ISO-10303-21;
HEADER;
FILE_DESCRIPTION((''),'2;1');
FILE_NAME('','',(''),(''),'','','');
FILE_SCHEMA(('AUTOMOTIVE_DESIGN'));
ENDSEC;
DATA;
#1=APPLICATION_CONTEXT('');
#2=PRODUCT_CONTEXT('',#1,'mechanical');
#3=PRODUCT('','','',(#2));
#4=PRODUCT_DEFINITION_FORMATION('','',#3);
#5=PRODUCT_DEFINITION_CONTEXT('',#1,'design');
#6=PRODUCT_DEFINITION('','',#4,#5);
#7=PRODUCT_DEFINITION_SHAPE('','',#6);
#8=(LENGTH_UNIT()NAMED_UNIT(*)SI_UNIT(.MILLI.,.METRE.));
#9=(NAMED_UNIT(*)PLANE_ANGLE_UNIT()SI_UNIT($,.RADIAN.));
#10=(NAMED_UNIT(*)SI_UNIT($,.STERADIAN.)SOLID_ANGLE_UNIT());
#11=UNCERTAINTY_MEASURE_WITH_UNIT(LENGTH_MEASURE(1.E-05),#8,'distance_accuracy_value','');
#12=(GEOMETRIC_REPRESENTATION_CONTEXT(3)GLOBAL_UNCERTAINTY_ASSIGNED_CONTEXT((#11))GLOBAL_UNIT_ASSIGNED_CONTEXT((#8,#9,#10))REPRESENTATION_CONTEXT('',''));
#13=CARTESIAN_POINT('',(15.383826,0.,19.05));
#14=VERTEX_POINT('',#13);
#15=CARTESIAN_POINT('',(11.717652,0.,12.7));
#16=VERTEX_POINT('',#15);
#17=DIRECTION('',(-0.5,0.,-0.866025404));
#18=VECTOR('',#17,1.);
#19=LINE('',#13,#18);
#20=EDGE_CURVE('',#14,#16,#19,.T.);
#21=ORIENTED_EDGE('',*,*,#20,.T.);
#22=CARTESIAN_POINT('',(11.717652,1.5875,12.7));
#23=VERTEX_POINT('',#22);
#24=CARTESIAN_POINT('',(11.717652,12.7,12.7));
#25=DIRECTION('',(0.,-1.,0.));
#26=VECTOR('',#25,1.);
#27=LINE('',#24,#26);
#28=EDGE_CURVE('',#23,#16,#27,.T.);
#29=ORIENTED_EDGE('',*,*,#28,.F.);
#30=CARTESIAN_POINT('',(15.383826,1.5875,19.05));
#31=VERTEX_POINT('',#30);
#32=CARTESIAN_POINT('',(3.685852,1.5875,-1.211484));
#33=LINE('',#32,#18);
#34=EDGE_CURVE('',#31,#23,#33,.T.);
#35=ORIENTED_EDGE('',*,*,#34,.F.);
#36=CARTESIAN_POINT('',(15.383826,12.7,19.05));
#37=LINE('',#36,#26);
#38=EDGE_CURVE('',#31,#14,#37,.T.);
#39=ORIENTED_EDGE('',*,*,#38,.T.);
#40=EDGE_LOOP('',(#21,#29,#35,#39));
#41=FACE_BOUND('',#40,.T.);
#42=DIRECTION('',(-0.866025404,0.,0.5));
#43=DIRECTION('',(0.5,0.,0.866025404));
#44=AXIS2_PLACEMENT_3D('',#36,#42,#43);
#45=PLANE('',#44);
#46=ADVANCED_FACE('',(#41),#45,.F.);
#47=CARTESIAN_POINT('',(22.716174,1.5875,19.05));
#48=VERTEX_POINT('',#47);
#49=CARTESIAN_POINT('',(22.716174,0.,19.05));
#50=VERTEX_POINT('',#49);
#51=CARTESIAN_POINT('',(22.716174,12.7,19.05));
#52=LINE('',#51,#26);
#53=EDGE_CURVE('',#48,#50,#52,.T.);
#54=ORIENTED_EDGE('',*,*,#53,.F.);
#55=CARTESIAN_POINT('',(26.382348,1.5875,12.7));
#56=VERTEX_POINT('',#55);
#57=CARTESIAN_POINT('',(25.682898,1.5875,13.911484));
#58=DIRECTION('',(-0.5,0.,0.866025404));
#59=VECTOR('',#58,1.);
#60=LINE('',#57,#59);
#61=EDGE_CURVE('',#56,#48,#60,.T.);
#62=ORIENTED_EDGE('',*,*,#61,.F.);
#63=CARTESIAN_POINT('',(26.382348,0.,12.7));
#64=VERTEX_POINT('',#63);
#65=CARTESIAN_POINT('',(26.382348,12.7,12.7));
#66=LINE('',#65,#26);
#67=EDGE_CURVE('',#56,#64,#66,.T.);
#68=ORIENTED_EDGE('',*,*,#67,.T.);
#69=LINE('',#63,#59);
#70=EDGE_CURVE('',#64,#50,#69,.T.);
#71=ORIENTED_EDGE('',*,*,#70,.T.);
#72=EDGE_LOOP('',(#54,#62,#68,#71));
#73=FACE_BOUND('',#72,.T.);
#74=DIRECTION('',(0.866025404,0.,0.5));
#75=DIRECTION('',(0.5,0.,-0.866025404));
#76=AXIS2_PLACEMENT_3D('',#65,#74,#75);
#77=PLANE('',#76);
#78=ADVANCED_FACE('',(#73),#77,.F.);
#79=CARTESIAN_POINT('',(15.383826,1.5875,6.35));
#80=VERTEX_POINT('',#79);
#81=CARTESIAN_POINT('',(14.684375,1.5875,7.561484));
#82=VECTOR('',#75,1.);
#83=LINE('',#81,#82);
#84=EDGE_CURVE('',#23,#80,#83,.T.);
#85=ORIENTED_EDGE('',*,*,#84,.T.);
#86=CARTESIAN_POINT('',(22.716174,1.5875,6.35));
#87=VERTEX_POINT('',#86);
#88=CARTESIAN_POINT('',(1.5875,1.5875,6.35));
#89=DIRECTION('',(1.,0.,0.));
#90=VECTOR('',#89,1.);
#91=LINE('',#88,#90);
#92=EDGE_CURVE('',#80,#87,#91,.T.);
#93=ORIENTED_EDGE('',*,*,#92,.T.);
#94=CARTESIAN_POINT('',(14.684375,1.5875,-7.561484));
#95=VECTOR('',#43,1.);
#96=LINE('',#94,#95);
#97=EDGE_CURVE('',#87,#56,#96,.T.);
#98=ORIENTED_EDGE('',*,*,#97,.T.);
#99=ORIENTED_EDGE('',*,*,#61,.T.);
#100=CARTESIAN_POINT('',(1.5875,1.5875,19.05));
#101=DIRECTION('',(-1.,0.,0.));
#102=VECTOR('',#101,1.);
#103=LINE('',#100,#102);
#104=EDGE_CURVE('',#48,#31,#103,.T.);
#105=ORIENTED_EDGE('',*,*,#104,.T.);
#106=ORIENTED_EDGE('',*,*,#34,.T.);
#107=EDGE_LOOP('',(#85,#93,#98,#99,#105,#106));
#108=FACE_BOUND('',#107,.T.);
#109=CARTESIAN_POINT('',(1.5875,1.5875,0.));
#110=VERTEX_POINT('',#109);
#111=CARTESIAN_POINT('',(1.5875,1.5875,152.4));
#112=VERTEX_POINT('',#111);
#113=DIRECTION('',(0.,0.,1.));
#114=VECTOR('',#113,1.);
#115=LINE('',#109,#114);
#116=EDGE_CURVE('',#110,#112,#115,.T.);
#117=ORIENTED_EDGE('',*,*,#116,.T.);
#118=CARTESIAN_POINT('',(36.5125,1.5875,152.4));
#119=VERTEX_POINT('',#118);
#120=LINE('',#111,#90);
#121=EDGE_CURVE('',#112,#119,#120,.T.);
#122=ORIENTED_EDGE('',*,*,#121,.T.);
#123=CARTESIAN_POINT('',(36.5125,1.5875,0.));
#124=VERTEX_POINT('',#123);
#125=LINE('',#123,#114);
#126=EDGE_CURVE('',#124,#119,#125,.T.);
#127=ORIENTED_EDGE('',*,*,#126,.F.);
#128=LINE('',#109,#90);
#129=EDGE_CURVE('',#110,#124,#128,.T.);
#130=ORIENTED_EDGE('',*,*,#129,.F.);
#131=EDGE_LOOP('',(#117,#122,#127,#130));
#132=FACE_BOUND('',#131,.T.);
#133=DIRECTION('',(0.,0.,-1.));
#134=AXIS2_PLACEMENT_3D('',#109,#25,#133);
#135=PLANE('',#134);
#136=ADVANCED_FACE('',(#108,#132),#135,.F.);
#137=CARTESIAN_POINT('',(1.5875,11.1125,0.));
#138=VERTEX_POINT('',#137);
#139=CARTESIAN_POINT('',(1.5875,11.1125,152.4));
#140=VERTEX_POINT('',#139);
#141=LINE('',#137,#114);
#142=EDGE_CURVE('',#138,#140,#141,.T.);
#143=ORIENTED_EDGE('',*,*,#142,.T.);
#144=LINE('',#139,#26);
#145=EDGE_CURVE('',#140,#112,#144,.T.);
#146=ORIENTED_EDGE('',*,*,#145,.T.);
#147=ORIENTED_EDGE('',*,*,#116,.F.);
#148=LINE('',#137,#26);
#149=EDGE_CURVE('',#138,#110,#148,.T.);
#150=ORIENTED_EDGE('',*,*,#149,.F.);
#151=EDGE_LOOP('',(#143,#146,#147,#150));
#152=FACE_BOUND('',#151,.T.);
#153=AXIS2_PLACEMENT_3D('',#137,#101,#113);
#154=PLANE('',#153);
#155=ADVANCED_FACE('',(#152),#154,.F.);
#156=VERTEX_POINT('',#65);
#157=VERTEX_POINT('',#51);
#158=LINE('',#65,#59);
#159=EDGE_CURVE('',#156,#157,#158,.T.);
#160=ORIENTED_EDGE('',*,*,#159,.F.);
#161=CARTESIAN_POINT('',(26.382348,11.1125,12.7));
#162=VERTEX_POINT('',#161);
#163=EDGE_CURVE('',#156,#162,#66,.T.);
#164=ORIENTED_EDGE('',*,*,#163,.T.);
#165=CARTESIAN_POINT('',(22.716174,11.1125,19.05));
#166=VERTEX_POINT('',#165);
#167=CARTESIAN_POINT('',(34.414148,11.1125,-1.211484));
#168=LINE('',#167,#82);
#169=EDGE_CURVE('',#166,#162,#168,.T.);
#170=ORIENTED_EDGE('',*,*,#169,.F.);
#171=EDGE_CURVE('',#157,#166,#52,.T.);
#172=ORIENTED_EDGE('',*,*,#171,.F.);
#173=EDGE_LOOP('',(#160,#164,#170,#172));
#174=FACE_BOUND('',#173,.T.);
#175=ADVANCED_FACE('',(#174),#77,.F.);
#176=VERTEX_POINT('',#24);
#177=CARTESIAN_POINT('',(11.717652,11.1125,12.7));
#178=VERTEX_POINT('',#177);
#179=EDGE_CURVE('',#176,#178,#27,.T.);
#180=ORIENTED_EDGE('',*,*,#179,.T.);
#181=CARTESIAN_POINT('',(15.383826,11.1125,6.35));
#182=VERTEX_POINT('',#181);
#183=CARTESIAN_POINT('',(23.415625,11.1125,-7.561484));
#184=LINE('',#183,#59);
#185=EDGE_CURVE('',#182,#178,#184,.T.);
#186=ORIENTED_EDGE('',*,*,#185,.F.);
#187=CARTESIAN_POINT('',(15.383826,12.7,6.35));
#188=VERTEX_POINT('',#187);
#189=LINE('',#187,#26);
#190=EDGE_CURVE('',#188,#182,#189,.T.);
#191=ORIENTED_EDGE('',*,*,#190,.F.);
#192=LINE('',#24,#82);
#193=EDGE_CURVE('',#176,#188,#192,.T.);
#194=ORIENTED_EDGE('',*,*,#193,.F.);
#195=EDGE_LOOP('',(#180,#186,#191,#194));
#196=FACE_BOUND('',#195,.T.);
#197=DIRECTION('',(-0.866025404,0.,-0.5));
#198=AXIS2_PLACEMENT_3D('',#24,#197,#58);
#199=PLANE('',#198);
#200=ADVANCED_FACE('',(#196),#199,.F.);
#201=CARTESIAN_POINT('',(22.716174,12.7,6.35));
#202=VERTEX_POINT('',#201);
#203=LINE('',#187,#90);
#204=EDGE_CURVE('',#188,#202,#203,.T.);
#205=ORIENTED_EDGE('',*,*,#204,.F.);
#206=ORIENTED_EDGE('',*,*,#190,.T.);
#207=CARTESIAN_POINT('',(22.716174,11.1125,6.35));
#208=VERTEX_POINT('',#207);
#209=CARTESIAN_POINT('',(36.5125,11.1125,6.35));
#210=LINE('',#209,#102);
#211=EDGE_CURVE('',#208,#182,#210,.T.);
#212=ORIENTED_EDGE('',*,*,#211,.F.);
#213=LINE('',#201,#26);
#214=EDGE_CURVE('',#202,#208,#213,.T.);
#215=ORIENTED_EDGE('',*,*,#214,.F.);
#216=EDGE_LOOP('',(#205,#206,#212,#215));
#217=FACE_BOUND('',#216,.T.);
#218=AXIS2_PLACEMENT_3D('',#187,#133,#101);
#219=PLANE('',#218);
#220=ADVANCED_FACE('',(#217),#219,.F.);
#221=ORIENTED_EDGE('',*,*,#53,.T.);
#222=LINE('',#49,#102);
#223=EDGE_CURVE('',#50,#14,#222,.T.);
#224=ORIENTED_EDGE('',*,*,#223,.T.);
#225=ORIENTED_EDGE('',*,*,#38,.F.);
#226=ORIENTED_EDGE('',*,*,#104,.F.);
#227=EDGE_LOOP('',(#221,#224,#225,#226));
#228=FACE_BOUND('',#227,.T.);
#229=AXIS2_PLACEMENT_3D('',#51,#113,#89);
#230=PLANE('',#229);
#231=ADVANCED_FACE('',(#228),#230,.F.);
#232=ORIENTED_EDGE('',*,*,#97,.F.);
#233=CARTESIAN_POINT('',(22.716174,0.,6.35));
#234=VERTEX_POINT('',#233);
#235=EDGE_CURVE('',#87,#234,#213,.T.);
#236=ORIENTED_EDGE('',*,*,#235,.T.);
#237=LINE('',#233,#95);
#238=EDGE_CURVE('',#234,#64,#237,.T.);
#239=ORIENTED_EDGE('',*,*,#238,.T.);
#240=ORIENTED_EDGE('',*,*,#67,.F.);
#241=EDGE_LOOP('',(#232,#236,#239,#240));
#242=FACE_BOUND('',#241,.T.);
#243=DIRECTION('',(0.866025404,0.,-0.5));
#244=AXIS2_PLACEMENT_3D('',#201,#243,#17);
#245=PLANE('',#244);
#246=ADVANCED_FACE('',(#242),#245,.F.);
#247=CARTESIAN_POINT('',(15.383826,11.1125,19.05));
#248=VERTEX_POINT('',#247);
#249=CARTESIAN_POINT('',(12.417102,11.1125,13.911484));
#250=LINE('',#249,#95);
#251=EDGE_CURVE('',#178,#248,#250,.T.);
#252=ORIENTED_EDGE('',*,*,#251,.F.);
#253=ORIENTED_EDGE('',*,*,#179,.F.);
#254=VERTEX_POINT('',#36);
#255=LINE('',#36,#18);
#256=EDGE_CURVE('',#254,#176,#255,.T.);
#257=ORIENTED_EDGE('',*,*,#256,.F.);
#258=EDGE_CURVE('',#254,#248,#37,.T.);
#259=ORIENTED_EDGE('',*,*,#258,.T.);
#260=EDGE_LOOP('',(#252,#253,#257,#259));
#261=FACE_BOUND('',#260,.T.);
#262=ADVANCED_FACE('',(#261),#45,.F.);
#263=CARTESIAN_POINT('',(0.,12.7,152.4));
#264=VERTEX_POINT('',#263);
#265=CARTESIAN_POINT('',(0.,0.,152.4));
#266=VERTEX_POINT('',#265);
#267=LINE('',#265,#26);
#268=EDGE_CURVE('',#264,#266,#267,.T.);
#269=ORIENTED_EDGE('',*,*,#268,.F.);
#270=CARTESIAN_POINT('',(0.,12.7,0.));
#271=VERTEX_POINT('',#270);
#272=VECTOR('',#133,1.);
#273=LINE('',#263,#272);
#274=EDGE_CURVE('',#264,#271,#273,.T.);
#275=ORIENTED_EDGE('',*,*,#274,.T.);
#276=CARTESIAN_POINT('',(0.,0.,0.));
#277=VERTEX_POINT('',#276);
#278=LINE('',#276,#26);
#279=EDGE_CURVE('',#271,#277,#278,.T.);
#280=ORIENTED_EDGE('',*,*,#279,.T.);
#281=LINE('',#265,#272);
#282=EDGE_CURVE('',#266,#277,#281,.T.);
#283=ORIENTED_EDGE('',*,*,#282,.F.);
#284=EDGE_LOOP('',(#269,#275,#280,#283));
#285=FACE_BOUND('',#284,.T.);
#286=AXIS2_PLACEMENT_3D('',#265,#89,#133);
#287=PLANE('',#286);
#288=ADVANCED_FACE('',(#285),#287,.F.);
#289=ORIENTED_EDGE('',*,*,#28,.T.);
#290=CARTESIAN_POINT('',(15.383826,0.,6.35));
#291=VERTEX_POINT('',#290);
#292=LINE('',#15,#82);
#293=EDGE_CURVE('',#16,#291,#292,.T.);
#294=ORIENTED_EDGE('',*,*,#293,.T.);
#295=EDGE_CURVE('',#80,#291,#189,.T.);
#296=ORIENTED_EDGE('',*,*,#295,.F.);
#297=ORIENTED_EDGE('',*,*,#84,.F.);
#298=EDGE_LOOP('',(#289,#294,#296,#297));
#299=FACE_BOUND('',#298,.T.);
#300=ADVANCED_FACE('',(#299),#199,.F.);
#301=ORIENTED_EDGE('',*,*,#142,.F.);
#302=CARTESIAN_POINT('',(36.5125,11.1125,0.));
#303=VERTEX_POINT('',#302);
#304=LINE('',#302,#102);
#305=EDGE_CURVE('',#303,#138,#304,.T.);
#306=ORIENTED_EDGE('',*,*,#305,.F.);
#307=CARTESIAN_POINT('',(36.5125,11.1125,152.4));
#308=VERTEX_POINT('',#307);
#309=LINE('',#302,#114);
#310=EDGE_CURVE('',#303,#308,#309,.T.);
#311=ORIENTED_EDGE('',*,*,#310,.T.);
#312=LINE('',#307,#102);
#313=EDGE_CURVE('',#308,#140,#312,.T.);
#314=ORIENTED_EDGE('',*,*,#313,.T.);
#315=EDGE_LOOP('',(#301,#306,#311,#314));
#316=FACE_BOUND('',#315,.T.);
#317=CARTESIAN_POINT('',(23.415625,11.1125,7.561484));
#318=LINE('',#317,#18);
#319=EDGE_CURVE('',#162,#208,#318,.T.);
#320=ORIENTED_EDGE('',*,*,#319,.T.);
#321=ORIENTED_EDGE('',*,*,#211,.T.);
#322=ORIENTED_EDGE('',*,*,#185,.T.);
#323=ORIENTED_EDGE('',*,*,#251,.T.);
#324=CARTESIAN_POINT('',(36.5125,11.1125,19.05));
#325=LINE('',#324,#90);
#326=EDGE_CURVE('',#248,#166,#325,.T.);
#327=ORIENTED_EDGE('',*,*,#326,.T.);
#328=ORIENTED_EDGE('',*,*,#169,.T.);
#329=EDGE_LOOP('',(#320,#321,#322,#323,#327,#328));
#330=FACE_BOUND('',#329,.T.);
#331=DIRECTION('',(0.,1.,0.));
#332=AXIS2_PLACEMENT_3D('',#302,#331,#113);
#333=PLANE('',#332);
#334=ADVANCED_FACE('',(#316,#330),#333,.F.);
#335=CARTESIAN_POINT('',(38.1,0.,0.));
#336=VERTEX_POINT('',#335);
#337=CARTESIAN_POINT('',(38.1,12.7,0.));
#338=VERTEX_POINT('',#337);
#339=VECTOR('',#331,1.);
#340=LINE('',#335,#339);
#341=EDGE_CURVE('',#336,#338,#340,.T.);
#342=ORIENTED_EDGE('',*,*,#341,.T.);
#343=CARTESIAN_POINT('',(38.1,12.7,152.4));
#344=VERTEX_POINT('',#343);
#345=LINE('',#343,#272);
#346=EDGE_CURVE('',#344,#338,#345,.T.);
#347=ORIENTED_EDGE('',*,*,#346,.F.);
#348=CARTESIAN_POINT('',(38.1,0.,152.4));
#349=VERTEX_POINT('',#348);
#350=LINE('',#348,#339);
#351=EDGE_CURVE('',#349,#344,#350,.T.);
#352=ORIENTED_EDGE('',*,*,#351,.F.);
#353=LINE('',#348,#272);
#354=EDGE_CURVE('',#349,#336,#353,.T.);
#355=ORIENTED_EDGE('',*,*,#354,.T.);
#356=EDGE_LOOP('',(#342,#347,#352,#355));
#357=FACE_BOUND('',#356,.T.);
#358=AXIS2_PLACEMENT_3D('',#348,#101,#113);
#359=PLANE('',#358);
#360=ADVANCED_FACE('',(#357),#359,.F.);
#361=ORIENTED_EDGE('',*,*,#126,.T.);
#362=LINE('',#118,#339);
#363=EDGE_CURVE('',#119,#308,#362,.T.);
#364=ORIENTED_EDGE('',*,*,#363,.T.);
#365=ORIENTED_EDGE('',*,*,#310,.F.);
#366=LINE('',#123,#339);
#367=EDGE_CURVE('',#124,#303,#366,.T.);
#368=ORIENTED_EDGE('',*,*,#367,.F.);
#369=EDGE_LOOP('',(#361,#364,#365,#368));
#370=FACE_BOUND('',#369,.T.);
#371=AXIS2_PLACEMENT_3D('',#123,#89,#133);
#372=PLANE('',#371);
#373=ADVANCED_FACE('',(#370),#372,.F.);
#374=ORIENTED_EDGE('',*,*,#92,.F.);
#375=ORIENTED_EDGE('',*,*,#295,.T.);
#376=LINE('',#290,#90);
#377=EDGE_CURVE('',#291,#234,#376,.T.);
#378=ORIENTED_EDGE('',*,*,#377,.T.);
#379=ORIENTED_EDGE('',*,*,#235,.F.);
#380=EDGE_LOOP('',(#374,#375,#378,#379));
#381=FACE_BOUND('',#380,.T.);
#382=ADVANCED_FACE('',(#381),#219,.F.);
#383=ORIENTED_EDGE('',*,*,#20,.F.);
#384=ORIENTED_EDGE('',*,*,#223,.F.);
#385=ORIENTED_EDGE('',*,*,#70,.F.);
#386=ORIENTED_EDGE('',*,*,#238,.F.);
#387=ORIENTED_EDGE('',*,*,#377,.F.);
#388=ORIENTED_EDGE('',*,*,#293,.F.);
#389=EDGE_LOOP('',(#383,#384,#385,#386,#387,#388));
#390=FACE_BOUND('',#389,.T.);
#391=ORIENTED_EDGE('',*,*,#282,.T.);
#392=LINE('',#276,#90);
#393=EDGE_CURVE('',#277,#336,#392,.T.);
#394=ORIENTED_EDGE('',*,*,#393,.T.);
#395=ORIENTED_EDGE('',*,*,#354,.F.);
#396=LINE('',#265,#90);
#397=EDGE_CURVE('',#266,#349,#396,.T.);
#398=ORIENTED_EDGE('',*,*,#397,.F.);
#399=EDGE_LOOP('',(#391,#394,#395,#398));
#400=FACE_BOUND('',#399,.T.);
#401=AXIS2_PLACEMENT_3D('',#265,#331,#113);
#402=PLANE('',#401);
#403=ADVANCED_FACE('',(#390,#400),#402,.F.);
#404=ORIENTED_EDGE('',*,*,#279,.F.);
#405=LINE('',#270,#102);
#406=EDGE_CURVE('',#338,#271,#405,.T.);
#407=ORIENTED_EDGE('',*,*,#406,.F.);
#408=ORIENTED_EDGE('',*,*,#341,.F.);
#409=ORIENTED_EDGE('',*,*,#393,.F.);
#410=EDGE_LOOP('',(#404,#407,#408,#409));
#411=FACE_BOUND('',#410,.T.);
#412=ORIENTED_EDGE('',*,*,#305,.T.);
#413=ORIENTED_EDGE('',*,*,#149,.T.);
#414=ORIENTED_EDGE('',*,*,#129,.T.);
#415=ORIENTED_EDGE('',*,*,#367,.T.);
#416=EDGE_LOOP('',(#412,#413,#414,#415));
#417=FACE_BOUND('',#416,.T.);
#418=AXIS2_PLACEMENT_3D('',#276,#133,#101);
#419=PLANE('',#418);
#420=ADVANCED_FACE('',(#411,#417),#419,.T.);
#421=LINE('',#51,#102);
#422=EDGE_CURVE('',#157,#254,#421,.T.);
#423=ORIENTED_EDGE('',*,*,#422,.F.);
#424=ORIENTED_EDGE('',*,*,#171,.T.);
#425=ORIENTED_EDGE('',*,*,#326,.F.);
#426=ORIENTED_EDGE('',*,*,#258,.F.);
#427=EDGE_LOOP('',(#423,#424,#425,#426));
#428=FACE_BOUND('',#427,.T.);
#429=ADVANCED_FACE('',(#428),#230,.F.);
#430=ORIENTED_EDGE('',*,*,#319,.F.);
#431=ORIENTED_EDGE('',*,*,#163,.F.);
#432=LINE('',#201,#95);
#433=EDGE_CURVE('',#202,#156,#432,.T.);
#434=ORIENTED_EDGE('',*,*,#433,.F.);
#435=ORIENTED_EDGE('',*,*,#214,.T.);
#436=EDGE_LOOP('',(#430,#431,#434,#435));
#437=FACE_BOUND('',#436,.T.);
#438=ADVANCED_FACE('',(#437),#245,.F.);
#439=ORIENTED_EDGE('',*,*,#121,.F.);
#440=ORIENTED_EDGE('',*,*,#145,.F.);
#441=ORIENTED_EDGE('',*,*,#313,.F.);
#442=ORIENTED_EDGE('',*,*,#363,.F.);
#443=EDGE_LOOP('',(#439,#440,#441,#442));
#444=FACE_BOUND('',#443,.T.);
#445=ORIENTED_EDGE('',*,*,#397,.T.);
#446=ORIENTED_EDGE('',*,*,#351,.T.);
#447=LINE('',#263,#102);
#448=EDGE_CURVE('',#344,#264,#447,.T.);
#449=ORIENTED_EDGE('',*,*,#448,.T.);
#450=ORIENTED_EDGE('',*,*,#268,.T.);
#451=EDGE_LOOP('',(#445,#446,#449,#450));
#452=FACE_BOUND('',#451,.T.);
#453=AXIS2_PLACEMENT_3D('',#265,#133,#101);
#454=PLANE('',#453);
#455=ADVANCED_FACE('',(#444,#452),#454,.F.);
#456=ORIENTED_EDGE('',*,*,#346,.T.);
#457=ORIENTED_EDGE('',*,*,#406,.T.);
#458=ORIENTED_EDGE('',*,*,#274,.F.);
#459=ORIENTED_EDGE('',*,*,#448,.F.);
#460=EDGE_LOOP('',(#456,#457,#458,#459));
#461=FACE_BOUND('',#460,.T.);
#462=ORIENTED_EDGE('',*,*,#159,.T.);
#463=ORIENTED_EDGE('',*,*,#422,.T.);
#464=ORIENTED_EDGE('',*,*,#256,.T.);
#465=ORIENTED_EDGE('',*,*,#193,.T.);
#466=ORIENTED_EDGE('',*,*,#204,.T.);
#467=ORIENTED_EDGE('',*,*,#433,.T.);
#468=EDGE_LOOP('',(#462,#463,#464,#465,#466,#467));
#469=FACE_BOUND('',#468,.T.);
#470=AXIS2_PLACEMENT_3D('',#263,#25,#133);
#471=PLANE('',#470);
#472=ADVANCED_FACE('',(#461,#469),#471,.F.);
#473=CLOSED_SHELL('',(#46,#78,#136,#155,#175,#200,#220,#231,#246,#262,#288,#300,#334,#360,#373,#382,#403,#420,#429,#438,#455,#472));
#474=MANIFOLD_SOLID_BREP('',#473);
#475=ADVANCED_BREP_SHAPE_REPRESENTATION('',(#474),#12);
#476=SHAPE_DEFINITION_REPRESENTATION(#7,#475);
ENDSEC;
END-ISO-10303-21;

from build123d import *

# Parameters (mm, degrees)
SKETCH1_W           = 38.1
SKETCH1_H           = 12.7
BOSS_EXTRUDE1_DEPTH = 152.4
SKETCH2_W           = 34.925
SKETCH2_H           = 9.525
CUT_EXTRUDE1_DEPTH  = 158.602855304
CUT_EXTRUDE2_DEPTH  = 158.602855304


with BuildPart() as part:
    # Sketch1 → Boss-Extrude1 (new body)
    with BuildSketch(Plane.XY):
        with Locations((19.05, 6.35)):
            Rectangle(SKETCH1_W, SKETCH1_H)
    extrude(amount=BOSS_EXTRUDE1_DEPTH)

    # Sketch2 → Cut-Extrude1 (cut, through all)
    with BuildSketch(Plane.XY.offset(152.4)):
        with Locations((19.05, 6.35)):
            Rectangle(SKETCH2_W, SKETCH2_H)
    extrude(amount=-CUT_EXTRUDE1_DEPTH, mode=Mode.SUBTRACT)

    # Sketch3 → Cut-Extrude2 (cut, through all)
    with BuildSketch(Plane.XZ):
        Polygon((26.382348419, 12.7), (22.716174209, 19.05), (15.383825791, 19.05), (11.717651581, 12.7), (15.383825791, 6.35), (22.716174209, 6.35), align=None)
    extrude(amount=-CUT_EXTRUDE2_DEPTH, mode=Mode.SUBTRACT)


solid = part.part
